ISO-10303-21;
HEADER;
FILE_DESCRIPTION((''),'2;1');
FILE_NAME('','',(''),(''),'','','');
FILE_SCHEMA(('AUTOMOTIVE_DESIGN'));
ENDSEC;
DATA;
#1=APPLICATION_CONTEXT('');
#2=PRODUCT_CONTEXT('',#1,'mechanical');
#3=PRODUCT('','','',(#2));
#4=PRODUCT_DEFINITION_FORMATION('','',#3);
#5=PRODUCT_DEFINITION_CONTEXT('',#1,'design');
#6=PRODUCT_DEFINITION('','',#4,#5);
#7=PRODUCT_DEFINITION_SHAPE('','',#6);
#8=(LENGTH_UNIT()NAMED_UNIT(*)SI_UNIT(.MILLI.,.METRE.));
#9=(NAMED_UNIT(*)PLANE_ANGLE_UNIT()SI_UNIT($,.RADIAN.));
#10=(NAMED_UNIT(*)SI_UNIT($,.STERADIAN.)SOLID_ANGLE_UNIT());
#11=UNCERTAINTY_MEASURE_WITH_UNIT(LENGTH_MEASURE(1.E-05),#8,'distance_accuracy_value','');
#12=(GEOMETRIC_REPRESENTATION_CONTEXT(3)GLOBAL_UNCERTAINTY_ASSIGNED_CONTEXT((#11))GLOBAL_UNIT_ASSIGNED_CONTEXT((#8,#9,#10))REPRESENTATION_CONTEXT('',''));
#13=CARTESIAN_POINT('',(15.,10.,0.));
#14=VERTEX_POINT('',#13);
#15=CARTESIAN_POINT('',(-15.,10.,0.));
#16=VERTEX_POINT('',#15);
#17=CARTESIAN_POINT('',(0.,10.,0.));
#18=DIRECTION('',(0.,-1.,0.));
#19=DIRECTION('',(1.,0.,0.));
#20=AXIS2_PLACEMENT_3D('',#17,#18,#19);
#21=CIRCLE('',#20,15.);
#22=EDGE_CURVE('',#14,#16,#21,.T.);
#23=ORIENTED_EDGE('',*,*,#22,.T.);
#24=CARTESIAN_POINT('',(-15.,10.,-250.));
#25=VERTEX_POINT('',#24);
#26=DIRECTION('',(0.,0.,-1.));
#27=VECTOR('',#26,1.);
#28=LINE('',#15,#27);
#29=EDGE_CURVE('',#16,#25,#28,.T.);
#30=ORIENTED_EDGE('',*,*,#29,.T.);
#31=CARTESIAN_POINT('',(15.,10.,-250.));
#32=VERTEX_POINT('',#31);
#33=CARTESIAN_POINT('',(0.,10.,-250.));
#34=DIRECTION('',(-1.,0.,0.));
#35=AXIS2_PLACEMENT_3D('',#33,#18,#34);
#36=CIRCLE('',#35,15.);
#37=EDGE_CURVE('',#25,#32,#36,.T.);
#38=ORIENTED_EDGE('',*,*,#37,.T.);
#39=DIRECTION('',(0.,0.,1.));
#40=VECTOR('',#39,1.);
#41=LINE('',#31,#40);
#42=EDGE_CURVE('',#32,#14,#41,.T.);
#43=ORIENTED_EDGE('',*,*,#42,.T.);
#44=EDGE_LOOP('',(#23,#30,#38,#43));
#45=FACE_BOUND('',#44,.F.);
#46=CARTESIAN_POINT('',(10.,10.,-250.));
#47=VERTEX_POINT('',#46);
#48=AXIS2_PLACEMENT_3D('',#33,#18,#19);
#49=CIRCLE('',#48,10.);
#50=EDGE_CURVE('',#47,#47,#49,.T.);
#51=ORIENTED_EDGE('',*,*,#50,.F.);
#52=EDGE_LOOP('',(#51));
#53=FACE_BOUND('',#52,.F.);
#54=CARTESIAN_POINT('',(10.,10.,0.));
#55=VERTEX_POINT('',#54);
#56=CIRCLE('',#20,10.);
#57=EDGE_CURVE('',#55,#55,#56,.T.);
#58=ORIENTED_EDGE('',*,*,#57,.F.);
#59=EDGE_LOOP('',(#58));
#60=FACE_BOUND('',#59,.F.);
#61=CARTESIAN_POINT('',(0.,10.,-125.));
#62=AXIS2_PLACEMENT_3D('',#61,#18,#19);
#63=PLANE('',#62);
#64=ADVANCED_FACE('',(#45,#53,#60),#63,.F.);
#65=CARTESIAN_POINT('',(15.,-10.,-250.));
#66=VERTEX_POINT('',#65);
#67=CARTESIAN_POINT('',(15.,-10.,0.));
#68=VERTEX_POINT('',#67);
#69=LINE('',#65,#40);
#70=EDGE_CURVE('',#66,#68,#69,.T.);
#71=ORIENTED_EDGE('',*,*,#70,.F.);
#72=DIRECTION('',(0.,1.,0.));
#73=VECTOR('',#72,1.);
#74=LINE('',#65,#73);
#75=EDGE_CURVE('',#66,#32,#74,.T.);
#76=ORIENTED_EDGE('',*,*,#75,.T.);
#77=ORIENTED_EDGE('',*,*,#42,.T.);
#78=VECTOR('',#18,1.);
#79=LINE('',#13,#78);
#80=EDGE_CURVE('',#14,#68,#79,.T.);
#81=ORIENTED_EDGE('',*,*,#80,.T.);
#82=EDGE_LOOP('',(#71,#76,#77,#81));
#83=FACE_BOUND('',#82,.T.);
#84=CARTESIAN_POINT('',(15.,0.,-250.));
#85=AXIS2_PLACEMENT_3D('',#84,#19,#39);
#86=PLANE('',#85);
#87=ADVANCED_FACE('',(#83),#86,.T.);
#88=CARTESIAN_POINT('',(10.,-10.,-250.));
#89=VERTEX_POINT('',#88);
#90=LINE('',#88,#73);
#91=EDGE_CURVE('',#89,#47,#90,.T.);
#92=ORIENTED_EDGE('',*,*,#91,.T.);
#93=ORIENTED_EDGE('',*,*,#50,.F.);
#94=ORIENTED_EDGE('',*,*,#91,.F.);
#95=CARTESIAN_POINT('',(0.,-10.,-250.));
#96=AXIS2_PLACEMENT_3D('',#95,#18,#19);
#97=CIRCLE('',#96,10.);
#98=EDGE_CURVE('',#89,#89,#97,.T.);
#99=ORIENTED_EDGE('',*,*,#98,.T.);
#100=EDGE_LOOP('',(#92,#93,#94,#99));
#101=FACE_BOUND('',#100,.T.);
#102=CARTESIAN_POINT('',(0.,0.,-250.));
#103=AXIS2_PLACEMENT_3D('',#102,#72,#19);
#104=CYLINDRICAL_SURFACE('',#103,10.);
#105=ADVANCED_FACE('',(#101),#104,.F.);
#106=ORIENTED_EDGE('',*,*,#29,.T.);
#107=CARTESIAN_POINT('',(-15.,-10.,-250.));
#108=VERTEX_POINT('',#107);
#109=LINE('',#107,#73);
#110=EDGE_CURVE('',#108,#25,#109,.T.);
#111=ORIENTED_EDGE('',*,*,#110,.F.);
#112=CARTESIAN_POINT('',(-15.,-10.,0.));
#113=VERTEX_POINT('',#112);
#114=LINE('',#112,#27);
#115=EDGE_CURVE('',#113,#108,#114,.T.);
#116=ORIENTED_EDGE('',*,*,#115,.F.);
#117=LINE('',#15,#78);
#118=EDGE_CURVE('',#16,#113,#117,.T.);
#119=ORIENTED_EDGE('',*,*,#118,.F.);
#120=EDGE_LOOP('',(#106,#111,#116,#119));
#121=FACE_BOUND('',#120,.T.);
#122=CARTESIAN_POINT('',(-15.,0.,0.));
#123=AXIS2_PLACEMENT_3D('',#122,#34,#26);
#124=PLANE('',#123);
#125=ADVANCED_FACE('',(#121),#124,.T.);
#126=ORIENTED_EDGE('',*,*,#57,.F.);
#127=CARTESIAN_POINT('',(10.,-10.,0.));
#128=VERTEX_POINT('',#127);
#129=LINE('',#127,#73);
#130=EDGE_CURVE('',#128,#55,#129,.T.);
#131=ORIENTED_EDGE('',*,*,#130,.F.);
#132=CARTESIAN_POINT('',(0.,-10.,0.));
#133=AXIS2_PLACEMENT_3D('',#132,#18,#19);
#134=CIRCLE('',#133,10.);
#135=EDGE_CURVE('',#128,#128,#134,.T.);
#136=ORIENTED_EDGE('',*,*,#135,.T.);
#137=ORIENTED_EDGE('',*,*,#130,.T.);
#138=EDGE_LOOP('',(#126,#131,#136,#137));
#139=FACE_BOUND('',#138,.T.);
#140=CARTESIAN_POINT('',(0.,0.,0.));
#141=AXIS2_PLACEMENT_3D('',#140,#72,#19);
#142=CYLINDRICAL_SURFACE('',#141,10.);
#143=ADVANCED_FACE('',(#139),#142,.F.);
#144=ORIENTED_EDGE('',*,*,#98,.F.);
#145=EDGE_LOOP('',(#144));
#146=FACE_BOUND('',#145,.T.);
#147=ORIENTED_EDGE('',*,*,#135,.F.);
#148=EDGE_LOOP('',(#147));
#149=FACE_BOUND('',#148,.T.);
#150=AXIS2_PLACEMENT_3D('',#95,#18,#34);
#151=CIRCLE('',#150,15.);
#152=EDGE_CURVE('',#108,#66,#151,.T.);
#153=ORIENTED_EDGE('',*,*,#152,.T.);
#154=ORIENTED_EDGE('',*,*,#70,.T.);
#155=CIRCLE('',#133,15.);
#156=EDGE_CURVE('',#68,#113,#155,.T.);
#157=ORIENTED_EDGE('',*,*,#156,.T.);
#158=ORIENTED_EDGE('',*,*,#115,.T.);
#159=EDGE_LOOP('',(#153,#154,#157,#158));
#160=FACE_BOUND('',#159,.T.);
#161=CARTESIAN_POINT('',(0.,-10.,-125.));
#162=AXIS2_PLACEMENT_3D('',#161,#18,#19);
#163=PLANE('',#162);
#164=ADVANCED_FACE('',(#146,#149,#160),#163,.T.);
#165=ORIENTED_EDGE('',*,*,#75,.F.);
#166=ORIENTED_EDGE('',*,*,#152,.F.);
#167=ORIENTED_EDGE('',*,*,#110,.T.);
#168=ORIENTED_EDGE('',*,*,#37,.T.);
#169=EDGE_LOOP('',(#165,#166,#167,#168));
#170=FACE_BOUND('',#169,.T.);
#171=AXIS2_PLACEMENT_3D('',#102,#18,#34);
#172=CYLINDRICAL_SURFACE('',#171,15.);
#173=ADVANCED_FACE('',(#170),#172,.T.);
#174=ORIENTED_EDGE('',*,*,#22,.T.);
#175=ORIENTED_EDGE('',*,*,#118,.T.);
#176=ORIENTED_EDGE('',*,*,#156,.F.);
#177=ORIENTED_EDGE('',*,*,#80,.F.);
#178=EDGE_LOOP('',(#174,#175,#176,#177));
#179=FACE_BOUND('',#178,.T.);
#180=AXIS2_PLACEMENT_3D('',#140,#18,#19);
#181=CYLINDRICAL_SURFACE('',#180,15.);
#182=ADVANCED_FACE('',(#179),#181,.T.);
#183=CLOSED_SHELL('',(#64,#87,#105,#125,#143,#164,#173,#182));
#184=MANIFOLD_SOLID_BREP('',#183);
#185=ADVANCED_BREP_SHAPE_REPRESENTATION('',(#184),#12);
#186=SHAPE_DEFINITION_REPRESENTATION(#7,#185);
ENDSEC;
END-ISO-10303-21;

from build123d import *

# Parameters (mm, degrees)
F0_R     = 10
F1_DEPTH = 10


with BuildPart() as f1:
    # F0 (on Front) → F1 (new body, symmetric)
    with BuildSketch(Plane.XZ):
        with BuildLine():
            Line((15, -250), (15, 0))
            ThreePointArc((15, 0), (0, 15), (-15, 0))
            Line((-15, 0), (-15, -250))
            ThreePointArc((-15, -250), (0, -265), (15, -250))
        make_face()
        with Locations((0, -250)):
            Circle(F0_R, mode=Mode.SUBTRACT)
        Circle(F0_R, mode=Mode.SUBTRACT)
    extrude(amount=F1_DEPTH, both=True)


solid = f1.part
